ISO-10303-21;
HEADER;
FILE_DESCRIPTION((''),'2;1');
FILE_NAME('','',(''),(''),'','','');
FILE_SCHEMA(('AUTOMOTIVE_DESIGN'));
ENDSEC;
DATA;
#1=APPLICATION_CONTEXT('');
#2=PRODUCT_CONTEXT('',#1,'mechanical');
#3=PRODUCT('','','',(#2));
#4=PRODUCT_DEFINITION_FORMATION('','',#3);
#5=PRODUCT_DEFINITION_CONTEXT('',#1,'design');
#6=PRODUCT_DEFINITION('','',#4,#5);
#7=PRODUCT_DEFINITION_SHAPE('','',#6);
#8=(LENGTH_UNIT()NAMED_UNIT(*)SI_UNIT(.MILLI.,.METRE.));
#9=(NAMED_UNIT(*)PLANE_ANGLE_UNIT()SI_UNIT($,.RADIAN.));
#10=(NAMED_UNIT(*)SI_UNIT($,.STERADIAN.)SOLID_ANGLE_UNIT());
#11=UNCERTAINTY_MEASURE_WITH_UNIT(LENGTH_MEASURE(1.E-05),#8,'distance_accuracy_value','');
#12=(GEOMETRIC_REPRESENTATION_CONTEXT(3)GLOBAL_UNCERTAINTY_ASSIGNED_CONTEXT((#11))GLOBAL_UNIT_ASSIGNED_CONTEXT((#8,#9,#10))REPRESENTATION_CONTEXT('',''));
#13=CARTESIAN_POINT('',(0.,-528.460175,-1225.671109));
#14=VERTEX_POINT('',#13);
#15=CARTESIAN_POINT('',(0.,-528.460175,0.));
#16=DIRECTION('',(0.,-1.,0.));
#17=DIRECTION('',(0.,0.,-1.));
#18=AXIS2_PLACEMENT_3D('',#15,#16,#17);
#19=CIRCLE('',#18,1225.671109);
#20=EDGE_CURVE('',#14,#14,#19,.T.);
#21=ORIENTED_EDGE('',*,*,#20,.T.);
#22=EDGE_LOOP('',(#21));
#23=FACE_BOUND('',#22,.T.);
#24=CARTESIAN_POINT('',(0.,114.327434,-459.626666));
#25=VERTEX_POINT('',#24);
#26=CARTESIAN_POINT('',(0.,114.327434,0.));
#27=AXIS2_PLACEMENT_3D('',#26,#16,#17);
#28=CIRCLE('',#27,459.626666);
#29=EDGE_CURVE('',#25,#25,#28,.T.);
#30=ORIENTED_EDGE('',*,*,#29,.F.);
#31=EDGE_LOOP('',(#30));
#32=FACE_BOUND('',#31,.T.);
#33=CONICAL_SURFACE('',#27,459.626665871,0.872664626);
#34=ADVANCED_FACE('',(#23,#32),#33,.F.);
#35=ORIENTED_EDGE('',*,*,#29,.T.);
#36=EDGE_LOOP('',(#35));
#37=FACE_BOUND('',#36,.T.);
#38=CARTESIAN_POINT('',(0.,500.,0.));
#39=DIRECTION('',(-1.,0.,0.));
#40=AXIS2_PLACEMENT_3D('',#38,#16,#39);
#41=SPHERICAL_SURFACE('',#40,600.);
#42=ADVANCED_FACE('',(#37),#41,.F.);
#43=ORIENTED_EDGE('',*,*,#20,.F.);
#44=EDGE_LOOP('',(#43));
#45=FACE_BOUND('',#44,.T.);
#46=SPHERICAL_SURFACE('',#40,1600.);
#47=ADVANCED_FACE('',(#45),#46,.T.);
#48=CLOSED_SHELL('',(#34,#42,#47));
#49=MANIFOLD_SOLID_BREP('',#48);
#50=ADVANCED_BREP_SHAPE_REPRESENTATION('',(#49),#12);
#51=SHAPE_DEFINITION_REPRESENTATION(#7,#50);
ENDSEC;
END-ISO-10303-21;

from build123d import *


with BuildPart() as part:
    # Sketch2 one side → Reachable workspace (revolve)
    with BuildSketch(Plane.XY):
        with BuildLine():
            Line((-1225.67110899, -528.460175498), (-459.626665871, 114.327434188))
            ThreePointArc((-459.626665871, 114.327434188), (-543.784672222, 753.570957044), (0, 1100))
            Line((0, 1100), (0, 2100))
            ThreePointArc((0, 2100), (-1450.092459259, 1176.189218785), (-1225.67110899, -528.460175498))
        make_face()
    revolve(axis=Axis((0, -528.460175498, 0), (0, 1, 0)))


solid = part.part
